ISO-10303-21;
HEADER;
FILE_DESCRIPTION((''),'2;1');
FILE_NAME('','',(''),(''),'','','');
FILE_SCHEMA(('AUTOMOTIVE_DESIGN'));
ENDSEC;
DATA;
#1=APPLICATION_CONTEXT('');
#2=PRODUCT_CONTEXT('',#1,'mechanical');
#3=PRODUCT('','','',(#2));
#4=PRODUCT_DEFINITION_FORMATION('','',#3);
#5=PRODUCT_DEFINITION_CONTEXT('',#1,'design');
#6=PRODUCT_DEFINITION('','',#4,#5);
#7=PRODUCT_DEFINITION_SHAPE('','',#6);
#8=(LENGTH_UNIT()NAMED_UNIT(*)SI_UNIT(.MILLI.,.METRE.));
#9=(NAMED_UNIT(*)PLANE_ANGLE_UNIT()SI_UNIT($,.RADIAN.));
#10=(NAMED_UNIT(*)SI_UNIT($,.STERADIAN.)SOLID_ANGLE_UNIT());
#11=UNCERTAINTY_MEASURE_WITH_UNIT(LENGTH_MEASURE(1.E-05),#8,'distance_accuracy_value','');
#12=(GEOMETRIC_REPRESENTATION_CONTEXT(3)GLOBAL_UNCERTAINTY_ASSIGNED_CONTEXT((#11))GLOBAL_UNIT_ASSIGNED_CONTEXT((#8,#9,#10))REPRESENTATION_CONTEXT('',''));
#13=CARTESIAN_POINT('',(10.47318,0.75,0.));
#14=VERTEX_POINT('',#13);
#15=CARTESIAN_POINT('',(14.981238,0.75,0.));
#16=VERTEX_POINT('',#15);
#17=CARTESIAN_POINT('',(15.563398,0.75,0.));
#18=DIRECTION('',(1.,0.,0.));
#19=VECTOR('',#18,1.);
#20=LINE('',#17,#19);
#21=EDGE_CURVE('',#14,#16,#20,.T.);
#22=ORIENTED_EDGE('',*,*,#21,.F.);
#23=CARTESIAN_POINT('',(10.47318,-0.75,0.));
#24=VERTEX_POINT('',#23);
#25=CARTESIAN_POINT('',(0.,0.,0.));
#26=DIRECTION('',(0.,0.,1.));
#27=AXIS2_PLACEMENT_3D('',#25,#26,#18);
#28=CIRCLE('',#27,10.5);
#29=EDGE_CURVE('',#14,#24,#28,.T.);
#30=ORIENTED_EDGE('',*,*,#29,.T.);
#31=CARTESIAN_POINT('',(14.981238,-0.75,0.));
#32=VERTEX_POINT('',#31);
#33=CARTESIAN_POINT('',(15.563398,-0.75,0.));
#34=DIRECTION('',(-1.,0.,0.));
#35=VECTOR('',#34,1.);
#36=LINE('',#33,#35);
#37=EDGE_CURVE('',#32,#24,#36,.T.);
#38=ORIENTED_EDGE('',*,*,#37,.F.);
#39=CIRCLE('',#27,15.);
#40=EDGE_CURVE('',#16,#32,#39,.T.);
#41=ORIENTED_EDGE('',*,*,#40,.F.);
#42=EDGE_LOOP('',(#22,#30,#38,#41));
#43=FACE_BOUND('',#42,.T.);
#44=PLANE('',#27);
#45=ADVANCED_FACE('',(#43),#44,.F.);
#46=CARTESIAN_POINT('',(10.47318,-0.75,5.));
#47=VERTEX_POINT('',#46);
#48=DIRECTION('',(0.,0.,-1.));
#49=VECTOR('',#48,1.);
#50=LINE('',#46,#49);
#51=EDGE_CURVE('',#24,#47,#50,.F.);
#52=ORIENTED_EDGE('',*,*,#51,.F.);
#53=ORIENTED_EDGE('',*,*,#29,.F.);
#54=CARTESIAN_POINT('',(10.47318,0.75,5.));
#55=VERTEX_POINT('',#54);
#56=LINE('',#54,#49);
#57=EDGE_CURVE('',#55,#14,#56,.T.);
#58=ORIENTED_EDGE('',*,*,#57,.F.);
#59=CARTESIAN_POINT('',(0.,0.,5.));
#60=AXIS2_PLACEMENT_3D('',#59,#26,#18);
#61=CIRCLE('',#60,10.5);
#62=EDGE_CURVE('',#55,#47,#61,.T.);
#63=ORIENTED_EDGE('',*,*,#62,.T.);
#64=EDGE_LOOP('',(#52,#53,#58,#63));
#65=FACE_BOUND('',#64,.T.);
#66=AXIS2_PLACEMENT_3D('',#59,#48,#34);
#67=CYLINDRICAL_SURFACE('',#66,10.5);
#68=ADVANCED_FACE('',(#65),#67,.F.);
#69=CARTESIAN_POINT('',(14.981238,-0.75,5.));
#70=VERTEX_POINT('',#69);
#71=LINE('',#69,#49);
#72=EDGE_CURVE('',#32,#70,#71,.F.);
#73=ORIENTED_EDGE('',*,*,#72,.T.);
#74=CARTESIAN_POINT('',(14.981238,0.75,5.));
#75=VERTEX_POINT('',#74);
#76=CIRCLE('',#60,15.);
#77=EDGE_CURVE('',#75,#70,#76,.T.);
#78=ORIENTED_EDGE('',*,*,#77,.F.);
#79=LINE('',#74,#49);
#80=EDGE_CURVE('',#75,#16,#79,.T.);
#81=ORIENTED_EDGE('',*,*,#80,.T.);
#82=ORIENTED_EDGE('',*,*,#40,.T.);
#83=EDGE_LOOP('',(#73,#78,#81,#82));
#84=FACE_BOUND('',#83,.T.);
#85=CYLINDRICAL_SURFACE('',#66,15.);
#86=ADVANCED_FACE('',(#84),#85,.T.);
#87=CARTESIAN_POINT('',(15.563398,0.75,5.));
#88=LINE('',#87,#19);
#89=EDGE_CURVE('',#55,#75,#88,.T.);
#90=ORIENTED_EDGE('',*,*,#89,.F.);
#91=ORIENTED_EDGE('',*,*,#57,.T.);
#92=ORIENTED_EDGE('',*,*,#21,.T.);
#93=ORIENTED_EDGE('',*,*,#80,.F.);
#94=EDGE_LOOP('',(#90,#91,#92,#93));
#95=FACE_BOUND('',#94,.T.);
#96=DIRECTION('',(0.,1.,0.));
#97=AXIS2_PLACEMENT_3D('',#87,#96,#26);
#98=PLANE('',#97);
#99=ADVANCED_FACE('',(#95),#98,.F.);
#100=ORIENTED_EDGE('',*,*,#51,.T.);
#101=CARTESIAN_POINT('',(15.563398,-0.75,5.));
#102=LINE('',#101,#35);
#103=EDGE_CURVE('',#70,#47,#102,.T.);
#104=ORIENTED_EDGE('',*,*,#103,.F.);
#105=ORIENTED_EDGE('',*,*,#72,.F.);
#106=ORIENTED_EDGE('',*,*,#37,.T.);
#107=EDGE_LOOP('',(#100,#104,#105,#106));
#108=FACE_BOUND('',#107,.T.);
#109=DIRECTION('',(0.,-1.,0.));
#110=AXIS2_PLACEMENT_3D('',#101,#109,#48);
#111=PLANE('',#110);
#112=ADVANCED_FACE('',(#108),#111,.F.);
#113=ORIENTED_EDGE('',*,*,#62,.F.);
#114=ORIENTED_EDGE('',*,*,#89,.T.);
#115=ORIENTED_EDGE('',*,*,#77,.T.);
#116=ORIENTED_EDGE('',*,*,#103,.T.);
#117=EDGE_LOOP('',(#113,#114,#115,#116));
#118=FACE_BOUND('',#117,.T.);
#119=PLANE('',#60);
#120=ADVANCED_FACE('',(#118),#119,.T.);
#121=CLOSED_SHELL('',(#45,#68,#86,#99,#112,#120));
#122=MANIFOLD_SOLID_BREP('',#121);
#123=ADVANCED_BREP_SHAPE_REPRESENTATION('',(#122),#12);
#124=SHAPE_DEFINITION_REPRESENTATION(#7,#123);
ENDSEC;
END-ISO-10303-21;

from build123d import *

# Parameters (mm, degrees)
SKETCH1_R           = 15
SKETCH1_R_2         = 10.5
BOSS_EXTRUDE1_DEPTH = 5
SKETCH3_W           = 5.868201952
SKETCH3_H           = 1.5
CUT_EXTRUDE1_DEPTH  = 6


with BuildPart() as part:
    # Sketch1 → Boss-Extrude1 (new body)
    with BuildSketch(Plane.XY):
        Circle(SKETCH1_R)
        Circle(SKETCH1_R_2, mode=Mode.SUBTRACT)
    extrude(amount=BOSS_EXTRUDE1_DEPTH)

    # Sketch3 → Cut-Extrude1 (cut, through all)
    with BuildSketch(Plane(origin=(0, 0, 0), x_dir=(-1, 0, 0), z_dir=(0, 0, -1))):
        with Locations((-12.629297394, 0)):
            Rectangle(SKETCH3_W, SKETCH3_H)
    extrude(amount=-CUT_EXTRUDE1_DEPTH, mode=Mode.SUBTRACT)


solid = part.part
